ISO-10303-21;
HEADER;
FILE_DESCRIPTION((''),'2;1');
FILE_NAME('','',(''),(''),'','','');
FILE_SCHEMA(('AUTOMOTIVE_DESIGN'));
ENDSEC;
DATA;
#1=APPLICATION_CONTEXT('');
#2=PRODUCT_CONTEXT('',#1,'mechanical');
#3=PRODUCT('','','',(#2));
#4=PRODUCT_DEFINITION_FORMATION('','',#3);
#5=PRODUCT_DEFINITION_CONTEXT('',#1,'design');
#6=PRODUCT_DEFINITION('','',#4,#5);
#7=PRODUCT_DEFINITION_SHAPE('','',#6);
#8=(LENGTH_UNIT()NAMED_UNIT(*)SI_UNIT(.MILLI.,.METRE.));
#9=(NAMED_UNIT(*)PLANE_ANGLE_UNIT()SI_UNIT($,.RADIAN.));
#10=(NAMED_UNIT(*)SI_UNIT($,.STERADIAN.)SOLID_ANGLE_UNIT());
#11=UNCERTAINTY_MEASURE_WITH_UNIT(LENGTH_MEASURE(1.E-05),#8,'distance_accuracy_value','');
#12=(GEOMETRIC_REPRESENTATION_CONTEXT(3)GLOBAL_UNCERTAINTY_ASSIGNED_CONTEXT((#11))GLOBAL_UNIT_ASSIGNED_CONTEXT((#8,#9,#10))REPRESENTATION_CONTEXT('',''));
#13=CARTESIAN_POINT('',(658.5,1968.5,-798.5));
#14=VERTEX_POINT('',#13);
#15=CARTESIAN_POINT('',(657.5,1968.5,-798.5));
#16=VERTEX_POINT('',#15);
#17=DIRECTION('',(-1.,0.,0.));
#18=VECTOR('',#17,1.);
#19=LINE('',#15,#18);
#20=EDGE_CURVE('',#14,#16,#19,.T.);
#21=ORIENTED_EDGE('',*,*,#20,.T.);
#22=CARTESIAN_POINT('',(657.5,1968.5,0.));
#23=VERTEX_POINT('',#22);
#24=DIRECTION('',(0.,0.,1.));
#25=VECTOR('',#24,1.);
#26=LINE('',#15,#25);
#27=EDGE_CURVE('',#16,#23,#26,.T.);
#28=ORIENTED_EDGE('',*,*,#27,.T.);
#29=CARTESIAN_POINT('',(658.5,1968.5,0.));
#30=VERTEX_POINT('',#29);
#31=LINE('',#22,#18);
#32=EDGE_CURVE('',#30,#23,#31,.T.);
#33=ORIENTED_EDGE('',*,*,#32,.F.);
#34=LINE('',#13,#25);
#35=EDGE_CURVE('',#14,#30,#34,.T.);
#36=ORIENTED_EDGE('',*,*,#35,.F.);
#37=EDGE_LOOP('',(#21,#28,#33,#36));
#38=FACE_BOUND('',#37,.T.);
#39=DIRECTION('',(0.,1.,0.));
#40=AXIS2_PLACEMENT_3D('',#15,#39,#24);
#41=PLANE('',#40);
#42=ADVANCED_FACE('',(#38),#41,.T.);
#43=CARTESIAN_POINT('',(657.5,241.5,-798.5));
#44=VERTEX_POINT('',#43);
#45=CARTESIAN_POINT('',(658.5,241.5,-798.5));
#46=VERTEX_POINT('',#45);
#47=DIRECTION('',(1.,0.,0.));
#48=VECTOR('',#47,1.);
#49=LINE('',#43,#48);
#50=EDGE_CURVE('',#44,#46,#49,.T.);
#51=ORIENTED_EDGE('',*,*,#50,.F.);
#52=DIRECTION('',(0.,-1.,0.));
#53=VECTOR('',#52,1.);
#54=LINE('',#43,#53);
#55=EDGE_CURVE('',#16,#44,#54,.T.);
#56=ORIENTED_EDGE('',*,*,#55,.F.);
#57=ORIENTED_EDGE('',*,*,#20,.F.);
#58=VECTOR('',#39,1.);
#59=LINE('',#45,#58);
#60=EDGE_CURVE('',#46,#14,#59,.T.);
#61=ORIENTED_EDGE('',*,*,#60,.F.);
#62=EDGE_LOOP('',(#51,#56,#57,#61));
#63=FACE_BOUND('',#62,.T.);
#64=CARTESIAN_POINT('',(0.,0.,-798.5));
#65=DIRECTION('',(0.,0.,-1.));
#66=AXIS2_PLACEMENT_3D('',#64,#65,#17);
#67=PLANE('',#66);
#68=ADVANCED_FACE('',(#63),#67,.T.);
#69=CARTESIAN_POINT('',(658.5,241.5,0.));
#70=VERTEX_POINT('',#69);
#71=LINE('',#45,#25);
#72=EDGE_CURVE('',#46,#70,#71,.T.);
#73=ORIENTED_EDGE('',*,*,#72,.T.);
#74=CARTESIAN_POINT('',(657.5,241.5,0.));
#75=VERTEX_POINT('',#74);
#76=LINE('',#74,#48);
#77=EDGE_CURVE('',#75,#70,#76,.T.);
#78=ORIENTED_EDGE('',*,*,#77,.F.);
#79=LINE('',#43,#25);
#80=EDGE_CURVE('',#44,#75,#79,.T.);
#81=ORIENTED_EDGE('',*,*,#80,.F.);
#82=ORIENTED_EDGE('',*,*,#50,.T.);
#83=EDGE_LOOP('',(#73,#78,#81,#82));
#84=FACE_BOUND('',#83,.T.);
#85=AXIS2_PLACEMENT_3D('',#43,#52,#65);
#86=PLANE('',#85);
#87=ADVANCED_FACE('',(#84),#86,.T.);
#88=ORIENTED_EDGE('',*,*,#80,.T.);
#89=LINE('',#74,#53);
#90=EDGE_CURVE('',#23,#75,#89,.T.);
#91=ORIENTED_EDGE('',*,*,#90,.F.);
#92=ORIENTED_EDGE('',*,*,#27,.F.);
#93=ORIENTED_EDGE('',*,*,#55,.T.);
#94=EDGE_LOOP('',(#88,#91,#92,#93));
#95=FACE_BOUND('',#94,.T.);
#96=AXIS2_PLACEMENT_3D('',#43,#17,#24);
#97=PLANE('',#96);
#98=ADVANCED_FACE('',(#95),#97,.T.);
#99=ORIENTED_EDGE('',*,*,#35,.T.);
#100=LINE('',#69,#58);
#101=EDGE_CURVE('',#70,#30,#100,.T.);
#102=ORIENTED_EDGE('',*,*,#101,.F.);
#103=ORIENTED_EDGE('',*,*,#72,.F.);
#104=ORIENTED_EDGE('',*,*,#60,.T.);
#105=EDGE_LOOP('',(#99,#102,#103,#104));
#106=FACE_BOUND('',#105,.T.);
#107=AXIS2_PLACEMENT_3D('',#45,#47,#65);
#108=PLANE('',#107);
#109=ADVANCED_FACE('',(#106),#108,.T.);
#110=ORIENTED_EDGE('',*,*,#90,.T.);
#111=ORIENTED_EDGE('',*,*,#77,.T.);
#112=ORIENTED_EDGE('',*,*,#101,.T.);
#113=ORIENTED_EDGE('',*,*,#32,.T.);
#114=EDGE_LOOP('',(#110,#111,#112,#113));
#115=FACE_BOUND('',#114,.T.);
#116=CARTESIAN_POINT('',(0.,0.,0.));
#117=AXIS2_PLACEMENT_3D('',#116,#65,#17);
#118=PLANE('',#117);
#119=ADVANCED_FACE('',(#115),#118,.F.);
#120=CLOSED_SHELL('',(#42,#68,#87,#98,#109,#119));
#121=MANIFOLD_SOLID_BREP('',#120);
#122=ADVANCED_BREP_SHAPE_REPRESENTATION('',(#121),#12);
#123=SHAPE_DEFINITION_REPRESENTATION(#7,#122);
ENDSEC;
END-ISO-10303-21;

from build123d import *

# Parameters (mm, degrees)
SKETCH1_W                  = 1
SKETCH1_H                  = 1727
TOPPING_IC_YAN_SAG_1_DEPTH = 798.5


with BuildPart() as part:
    # Sketch1 → TOPPING_ic_yan_sag_1 (new body)
    with BuildSketch(Plane.XY):
        with Locations((658, 1105)):
            Rectangle(SKETCH1_W, SKETCH1_H)
    extrude(amount=-TOPPING_IC_YAN_SAG_1_DEPTH)


solid = part.part
